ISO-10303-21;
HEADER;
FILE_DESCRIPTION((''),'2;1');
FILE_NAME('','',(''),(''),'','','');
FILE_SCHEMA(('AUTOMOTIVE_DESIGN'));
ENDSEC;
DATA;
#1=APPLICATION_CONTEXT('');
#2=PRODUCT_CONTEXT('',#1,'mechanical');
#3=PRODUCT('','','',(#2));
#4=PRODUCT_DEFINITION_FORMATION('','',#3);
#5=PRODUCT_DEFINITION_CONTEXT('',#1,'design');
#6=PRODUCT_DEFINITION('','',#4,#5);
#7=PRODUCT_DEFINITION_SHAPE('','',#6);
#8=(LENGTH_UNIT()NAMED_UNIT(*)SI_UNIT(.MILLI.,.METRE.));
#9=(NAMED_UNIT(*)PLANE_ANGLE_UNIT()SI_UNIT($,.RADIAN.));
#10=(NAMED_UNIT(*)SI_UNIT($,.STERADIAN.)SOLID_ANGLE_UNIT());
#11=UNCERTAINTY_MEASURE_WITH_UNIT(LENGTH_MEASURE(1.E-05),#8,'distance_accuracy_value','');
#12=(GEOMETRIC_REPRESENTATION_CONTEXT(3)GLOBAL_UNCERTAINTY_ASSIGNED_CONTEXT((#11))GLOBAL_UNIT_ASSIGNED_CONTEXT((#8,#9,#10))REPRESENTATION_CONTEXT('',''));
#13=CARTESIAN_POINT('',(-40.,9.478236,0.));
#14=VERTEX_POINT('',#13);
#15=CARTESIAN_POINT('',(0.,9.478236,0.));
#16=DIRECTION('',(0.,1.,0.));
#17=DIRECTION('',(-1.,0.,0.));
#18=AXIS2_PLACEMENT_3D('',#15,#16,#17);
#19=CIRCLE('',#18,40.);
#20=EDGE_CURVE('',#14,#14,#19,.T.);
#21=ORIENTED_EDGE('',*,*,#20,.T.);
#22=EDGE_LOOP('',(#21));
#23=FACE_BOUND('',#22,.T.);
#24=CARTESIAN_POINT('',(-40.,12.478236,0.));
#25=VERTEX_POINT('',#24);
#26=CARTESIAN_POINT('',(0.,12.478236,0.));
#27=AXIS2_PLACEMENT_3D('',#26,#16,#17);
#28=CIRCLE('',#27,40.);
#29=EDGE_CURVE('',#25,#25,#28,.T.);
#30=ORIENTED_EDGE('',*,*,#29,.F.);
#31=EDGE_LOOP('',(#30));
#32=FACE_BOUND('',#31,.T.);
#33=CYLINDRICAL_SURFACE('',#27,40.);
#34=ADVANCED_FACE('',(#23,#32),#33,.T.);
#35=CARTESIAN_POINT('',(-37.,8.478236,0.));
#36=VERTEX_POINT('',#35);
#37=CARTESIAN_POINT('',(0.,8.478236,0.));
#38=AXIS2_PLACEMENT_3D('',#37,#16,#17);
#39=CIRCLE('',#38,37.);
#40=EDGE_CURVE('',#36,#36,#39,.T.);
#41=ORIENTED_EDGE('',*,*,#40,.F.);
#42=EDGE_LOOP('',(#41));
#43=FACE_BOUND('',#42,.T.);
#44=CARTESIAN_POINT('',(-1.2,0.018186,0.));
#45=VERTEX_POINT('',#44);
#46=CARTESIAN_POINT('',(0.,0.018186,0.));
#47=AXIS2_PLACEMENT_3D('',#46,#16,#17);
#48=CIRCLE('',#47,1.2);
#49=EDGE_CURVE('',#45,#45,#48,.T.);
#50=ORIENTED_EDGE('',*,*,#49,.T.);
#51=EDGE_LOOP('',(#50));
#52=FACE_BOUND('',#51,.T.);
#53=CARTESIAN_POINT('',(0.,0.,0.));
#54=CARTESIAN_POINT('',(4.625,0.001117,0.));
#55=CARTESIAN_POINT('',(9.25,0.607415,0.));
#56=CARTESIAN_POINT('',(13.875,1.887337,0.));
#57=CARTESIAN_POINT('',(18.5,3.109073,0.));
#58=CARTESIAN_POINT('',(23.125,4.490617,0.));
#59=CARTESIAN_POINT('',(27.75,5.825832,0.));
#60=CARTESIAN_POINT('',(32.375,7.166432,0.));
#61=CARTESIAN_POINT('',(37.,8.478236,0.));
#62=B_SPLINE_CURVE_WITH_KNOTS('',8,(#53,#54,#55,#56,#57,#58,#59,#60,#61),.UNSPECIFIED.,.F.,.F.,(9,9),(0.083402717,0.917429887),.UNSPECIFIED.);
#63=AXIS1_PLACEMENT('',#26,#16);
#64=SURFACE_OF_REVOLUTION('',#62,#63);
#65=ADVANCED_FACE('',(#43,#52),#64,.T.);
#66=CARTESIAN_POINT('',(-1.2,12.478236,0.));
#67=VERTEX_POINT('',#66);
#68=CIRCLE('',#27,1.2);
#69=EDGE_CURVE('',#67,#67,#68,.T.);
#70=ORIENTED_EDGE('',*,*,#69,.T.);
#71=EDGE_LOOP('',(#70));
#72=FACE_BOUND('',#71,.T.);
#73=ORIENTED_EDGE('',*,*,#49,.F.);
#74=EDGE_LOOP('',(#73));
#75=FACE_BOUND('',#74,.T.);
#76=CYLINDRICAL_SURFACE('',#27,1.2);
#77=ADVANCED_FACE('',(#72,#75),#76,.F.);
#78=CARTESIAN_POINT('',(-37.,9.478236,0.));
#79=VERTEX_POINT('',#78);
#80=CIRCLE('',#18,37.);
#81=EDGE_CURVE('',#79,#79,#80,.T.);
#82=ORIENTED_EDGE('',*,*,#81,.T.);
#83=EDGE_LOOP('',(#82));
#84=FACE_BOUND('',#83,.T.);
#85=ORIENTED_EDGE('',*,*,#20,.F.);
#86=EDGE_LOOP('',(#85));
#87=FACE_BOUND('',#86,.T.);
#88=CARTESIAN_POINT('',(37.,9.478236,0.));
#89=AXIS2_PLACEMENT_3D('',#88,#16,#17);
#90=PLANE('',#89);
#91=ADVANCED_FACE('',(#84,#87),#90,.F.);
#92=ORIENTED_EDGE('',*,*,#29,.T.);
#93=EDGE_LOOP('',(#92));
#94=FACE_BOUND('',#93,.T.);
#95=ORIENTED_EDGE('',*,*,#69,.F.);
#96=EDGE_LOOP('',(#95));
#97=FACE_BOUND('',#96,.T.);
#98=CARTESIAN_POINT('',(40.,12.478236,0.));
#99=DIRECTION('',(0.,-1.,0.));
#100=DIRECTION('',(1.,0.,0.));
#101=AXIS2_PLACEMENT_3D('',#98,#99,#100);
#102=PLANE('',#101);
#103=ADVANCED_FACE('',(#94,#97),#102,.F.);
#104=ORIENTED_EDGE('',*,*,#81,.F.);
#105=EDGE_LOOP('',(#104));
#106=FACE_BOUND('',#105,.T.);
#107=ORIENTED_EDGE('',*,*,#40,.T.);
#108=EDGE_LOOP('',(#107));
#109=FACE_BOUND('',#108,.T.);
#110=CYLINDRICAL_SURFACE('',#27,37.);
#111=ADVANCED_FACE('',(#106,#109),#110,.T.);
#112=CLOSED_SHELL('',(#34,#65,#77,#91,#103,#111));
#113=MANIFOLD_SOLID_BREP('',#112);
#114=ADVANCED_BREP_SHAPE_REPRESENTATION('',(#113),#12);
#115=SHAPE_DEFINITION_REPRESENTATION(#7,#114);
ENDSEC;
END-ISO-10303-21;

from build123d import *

# Parameters (mm, degrees)
SKETCH5_R          = 1.2
CUT_EXTRUDE1_DEPTH = 58.928459079


with BuildPart() as part:
    # Sketch3 → Revolve4 (revolve)
    with BuildSketch(Plane.XY, mode=Mode.PRIVATE) as revolve4_sk:
        with BuildLine():
            Line((1.2, 12.478235804), (1.2, 7.478235804))
            Line((1.2, 7.478235804), (0, 7.478235804))
            Line((0, 7.478235804), (0, 0))
            add(Edge.make_bspline(
                [(0, 0), (4.625000001, 0.001117069), (9.250000001, 0.607415338), (13.875000001, 1.887337305), (18.500000001, 3.109072854), (23.125000001, 4.490616829), (27.750000001, 5.825831958), (32.375, 7.16643161), (37, 8.478235804)],
                knots=[0.083402717, 0.083402717, 0.083402717, 0.083402717, 0.083402717, 0.083402717, 0.083402717, 0.083402717, 0.083402717, 0.917429887, 0.917429887, 0.917429887, 0.917429887, 0.917429887, 0.917429887, 0.917429887, 0.917429887, 0.917429887], degree=8))
            Line((37, 8.478235804), (37, 9.478235804))
            Line((37, 9.478235804), (40, 9.478235804))
            Line((40, 9.478235804), (40, 12.478235804))
            Line((40, 12.478235804), (1.2, 12.478235804))
        make_face()
    revolve(revolve4_sk.sketch.rotate(Axis((0, 12.478235804, 0), (0, -1, 0)), 180), axis=Axis((0, 12.478235804, 0), (0, -1, 0)))

    # Sketch5 → Cut-Extrude1 (cut, through all)
    with BuildSketch(Plane(origin=(0, 12.478235804, 0), x_dir=(1, 0, 0), z_dir=(0, 1, 0))):
        with Locations(Location((0, 0, 0), (0, 0, 180))):
            Circle(SKETCH5_R)
    extrude(amount=-CUT_EXTRUDE1_DEPTH, mode=Mode.SUBTRACT)


solid = part.part
